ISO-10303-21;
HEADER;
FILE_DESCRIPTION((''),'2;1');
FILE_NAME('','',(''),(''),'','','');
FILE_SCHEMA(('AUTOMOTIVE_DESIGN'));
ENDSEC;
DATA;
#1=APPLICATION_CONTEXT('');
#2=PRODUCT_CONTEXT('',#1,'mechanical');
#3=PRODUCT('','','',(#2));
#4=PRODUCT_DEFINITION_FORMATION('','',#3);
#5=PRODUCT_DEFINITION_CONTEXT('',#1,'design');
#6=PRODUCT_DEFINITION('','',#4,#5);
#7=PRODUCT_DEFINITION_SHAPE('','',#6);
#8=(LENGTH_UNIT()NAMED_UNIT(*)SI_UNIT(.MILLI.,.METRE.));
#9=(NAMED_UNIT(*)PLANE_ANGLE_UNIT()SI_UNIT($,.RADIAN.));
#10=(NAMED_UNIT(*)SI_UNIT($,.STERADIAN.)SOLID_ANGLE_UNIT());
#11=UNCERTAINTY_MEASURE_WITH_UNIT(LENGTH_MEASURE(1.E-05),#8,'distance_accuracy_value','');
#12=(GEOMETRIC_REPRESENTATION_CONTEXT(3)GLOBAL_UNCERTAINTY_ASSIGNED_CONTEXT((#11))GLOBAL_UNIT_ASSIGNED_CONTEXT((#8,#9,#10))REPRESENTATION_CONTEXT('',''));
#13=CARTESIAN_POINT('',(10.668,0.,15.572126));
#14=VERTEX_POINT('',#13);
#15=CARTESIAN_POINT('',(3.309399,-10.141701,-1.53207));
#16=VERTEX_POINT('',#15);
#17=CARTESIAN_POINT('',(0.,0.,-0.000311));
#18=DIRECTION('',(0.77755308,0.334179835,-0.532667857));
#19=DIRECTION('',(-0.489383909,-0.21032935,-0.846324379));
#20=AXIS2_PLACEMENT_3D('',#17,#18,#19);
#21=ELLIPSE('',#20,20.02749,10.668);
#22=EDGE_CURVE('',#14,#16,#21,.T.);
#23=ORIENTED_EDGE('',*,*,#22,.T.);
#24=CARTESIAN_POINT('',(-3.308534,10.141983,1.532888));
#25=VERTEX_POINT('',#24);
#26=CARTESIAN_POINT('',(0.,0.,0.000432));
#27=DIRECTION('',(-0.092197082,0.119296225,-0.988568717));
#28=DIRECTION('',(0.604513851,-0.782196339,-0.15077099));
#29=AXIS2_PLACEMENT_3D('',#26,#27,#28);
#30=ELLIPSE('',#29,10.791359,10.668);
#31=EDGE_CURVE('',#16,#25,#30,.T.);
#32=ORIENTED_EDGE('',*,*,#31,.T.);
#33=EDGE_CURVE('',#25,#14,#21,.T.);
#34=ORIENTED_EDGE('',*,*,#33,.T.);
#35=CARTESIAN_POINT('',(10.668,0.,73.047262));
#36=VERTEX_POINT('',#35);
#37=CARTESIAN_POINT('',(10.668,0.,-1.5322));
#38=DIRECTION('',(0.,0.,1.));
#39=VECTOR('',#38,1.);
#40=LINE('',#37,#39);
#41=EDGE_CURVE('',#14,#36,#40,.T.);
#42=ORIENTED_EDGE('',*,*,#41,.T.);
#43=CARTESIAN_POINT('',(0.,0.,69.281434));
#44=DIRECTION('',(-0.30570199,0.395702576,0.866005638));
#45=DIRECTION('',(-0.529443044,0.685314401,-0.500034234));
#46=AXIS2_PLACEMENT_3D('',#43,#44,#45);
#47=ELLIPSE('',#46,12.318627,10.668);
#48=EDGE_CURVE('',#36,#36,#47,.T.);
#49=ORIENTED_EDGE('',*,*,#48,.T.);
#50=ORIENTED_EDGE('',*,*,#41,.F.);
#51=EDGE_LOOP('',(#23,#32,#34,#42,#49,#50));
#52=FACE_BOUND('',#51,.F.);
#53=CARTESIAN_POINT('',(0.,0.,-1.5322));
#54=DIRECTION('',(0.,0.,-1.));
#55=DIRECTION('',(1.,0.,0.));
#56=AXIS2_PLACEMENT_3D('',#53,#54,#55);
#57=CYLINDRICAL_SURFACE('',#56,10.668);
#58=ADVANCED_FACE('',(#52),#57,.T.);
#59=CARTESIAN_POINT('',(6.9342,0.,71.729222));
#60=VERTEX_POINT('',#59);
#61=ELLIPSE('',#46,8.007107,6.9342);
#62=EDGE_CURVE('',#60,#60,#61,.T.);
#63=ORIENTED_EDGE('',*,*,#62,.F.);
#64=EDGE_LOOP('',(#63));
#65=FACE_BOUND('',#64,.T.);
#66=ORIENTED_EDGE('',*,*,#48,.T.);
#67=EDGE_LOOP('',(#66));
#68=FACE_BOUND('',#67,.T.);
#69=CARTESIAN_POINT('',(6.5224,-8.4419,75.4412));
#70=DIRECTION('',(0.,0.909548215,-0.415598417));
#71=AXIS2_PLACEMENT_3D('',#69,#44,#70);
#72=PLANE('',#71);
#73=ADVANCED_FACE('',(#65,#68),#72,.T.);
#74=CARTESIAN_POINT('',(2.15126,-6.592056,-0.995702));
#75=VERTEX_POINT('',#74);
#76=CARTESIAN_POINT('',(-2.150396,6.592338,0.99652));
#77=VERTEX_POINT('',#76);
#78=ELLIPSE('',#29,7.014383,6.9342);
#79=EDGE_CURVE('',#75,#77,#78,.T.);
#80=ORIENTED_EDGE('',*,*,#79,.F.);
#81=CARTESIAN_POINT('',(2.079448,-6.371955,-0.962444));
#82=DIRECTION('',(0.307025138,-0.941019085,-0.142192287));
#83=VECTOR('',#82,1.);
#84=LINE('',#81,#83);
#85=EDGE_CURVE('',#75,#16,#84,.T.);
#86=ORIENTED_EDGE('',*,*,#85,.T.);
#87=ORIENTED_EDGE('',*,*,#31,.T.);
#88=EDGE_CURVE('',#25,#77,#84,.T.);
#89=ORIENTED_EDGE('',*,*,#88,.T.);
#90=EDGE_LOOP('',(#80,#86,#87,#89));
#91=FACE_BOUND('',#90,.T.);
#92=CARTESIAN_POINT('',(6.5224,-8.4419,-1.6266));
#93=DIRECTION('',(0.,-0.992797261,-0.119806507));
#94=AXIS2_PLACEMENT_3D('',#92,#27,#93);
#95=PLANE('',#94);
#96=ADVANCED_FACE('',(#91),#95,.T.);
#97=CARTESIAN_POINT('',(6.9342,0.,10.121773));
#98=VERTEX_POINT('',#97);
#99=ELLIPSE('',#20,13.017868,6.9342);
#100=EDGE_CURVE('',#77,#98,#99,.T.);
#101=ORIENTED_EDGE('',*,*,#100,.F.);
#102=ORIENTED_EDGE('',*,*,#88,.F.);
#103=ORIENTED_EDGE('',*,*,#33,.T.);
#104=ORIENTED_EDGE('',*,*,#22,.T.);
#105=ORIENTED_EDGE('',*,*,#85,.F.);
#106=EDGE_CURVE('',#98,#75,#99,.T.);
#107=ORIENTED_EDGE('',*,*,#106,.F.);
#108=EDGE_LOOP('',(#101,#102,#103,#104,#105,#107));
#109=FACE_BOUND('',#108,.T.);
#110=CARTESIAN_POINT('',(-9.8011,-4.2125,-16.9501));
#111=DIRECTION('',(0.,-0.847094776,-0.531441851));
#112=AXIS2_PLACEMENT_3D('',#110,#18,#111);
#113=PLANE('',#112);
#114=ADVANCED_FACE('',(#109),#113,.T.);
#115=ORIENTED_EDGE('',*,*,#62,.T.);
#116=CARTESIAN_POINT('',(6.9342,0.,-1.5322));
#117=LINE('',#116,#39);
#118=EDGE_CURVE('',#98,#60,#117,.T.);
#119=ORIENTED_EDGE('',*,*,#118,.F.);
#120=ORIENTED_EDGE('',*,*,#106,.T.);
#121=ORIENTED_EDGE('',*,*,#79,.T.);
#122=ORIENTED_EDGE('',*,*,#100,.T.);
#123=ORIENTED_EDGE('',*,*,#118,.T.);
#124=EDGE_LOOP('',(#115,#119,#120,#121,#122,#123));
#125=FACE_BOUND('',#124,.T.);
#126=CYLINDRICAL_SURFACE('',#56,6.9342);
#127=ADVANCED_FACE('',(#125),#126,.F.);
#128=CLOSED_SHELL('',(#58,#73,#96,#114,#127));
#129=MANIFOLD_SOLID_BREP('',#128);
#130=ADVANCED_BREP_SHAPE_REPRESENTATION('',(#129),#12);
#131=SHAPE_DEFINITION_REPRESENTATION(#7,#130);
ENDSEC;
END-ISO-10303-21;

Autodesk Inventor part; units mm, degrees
ref_plane "Start Plane" through (0, 0, -1.5322) normal (0, 0, 1) x (1, 0, 0)
ref_plane "End Plane" through (0, 0, 77.9216) normal (0, 0, 1) x (1, 0, 0)
sketch "Sketch" plane through (0, 0, 0) normal (0, 0, 1) x (1, 0, 0)
  circle A0 centre (0, 0) radius 6.9342
  circle A1 centre (0, 0) radius 10.668
  dimension "d0" = 21.336
  dimension "d1" = 3.7338
extrude "Body" add sketch "Sketch" along normal up to surface (79.4538 mm away) from surface at -1.5322
sketch "Sketch3" plane through (0, 0, 0) normal (0, 0, 1) x (1, 0, 0)
  line L0 (0, 0) -> (10, 0)
ref_plane "Work Plane3" through (0, 0, 0) normal (0, -1, 0) x (1, 0, 0)
sketch "Sketch4" plane through (0, 0, 0) normal (0, -1, 0) x (1, 0, 0)
  line L0 (-2, -1.5322) -> (12, -1.5322)
  line L1 (-2, 77.9216) -> (12, 77.9216)
  dimension "d7" = 79.4538
ref_plane "Work Plane4" through (6.5224, -8.4419, 75.4412) normal (-0.3057, 0.3957, 0.866) x (0.9499, 0.0648, 0.3057)
split "Split1" plane through (6.5224, -8.4419, 75.4412) removes the side toward (-0.3057, 0.3957, 0.866)
ref_plane "Work Plane5" through (6.5224, -8.4419, -1.6266) normal (-0.0922, 0.1193, -0.9886) x (0.2567, 0.9621, 0.0922)
split "Split2" plane through (6.5224, -8.4419, -1.6266) removes the side toward (-0.0922, 0.1193, -0.9886)
ref_plane "Work Plane6" through (-9.8011, -4.2125, -16.9501) normal (0.7776, 0.3342, -0.5327) x (-0.2937, -0.556, -0.7776)
split "Split3" plane through (-9.8011, -4.2125, -16.9501) removes the side toward (0.7776, 0.3342, -0.5327)
equation "\"d0\" = G_H"
equation "\"d1\" = G_T"
equation "\"d2\" = G_L"
equation "\"G_H\" = 21.336"
equation "\"G_T\" = 3.7338"
equation "\"G_L\" = 76.97341"
equation "\"G_OFFSET_START\" = 1.53222"
equation "\"G_OFFSET_END\" = 8.6396"
equation "\"d4\" = -G_OFFSET_START"
equation "\"d5\" = G_OFFSET_END + B_L"
equation "\"B_L\" = 69.28202"
properties part number "ANSI - 1/2 x 0.147 - 3.03" material "Steel, Mild"
